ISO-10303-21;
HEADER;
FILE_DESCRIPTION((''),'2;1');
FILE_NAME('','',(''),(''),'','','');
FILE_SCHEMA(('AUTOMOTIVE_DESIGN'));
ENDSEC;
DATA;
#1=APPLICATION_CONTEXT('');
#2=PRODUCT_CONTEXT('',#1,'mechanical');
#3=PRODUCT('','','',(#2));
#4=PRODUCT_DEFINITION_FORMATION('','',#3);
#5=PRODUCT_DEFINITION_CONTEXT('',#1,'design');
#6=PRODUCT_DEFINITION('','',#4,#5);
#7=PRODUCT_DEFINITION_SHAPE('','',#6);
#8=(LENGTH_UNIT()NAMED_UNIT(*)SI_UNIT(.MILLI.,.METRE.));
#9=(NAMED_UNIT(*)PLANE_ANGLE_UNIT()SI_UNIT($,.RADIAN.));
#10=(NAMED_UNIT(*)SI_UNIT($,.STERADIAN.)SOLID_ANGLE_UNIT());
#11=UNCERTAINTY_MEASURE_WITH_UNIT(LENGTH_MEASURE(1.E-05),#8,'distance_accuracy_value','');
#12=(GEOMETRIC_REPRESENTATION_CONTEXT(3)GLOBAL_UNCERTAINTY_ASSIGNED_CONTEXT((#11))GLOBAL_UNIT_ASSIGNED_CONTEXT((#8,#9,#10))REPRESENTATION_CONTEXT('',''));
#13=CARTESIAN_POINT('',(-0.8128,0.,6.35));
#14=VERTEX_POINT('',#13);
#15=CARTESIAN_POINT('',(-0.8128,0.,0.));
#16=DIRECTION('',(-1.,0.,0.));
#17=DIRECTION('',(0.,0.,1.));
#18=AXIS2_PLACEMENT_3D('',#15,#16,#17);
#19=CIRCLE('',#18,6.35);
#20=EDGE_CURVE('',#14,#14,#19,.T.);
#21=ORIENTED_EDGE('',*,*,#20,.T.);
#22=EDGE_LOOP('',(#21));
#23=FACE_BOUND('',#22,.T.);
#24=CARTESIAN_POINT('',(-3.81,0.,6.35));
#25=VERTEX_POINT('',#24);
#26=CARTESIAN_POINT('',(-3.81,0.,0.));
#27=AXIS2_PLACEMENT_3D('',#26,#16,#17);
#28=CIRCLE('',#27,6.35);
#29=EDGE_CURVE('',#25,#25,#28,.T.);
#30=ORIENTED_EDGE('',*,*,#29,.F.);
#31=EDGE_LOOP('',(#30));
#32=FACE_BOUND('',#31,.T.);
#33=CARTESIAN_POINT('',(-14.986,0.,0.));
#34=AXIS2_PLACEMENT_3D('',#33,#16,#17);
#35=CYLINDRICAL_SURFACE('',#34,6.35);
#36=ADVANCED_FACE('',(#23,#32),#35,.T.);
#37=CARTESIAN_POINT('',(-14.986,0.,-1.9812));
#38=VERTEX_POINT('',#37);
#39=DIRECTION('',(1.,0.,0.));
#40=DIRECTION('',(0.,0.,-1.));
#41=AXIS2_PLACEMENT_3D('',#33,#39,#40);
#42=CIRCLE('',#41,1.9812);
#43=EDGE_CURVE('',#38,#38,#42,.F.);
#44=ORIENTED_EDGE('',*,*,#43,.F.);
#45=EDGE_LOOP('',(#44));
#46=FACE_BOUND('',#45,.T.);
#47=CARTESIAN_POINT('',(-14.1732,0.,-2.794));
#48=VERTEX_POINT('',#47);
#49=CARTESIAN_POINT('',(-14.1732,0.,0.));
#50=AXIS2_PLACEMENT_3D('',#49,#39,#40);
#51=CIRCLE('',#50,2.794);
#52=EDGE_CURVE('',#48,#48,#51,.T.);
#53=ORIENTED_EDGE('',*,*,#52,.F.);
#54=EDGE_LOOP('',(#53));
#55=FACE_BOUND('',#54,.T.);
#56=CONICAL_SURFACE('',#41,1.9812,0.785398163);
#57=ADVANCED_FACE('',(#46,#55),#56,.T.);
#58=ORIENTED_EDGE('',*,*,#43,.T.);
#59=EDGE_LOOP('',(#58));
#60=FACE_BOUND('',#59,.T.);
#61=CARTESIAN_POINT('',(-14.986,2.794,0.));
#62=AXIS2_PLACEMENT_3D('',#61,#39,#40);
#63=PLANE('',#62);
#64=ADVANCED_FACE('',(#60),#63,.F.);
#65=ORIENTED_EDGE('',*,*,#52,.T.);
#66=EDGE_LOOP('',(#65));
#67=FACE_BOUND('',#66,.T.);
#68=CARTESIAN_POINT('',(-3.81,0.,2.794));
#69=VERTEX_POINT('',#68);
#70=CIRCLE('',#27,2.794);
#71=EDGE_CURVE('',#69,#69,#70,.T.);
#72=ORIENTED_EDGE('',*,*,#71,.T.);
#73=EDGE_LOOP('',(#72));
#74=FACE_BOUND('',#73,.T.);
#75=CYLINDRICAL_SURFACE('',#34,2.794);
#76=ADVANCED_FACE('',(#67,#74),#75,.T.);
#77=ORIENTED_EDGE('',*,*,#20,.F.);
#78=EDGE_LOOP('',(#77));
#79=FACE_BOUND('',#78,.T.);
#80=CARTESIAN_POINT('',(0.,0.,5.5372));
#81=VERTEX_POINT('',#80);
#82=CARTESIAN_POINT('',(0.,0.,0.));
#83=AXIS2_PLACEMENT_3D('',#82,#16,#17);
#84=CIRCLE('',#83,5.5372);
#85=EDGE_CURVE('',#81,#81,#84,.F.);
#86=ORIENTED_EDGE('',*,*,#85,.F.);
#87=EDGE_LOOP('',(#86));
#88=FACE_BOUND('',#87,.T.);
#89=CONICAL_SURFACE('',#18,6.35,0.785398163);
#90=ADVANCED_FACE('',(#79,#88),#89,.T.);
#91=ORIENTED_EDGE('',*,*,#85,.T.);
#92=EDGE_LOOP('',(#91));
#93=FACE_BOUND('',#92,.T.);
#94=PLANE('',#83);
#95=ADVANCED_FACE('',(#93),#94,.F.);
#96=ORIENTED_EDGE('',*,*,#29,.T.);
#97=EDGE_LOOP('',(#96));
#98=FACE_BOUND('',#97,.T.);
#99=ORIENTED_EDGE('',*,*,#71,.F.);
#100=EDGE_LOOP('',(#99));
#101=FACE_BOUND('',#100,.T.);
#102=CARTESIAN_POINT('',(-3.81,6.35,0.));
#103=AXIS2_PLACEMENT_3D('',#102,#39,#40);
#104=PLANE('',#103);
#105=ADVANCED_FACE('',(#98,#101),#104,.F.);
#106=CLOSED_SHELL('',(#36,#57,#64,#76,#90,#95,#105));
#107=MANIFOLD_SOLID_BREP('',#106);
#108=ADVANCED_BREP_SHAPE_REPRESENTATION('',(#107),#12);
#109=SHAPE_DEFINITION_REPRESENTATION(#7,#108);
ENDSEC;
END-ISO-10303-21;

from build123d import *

# Parameters (mm, degrees)
CHAMFER1_SIZE = 0.8128


with BuildPart() as part:
    # Sketch1 → Revolve1 (revolve)
    with BuildSketch(Plane.XY, mode=Mode.PRIVATE) as revolve1_sk:
        Polygon((0, 0), (0, 6.35), (-3.81, 6.35), (-3.81, 2.794), (-14.986, 2.794), (-14.986, 0), align=None)
    revolve(revolve1_sk.sketch.rotate(Axis((-14.986, 0, 0), (1, 0, 0)), 90), axis=Axis((-14.986, 0, 0), (1, 0, 0)))

    # Chamfer1
    chamfer1_edges = [part.edges().sort_by_distance(p)[0] for p in [
        (-14.986, 0, -2.794),
        (0, 0, -6.35),
    ]]
    chamfer(chamfer1_edges, length=CHAMFER1_SIZE)


solid = part.part
